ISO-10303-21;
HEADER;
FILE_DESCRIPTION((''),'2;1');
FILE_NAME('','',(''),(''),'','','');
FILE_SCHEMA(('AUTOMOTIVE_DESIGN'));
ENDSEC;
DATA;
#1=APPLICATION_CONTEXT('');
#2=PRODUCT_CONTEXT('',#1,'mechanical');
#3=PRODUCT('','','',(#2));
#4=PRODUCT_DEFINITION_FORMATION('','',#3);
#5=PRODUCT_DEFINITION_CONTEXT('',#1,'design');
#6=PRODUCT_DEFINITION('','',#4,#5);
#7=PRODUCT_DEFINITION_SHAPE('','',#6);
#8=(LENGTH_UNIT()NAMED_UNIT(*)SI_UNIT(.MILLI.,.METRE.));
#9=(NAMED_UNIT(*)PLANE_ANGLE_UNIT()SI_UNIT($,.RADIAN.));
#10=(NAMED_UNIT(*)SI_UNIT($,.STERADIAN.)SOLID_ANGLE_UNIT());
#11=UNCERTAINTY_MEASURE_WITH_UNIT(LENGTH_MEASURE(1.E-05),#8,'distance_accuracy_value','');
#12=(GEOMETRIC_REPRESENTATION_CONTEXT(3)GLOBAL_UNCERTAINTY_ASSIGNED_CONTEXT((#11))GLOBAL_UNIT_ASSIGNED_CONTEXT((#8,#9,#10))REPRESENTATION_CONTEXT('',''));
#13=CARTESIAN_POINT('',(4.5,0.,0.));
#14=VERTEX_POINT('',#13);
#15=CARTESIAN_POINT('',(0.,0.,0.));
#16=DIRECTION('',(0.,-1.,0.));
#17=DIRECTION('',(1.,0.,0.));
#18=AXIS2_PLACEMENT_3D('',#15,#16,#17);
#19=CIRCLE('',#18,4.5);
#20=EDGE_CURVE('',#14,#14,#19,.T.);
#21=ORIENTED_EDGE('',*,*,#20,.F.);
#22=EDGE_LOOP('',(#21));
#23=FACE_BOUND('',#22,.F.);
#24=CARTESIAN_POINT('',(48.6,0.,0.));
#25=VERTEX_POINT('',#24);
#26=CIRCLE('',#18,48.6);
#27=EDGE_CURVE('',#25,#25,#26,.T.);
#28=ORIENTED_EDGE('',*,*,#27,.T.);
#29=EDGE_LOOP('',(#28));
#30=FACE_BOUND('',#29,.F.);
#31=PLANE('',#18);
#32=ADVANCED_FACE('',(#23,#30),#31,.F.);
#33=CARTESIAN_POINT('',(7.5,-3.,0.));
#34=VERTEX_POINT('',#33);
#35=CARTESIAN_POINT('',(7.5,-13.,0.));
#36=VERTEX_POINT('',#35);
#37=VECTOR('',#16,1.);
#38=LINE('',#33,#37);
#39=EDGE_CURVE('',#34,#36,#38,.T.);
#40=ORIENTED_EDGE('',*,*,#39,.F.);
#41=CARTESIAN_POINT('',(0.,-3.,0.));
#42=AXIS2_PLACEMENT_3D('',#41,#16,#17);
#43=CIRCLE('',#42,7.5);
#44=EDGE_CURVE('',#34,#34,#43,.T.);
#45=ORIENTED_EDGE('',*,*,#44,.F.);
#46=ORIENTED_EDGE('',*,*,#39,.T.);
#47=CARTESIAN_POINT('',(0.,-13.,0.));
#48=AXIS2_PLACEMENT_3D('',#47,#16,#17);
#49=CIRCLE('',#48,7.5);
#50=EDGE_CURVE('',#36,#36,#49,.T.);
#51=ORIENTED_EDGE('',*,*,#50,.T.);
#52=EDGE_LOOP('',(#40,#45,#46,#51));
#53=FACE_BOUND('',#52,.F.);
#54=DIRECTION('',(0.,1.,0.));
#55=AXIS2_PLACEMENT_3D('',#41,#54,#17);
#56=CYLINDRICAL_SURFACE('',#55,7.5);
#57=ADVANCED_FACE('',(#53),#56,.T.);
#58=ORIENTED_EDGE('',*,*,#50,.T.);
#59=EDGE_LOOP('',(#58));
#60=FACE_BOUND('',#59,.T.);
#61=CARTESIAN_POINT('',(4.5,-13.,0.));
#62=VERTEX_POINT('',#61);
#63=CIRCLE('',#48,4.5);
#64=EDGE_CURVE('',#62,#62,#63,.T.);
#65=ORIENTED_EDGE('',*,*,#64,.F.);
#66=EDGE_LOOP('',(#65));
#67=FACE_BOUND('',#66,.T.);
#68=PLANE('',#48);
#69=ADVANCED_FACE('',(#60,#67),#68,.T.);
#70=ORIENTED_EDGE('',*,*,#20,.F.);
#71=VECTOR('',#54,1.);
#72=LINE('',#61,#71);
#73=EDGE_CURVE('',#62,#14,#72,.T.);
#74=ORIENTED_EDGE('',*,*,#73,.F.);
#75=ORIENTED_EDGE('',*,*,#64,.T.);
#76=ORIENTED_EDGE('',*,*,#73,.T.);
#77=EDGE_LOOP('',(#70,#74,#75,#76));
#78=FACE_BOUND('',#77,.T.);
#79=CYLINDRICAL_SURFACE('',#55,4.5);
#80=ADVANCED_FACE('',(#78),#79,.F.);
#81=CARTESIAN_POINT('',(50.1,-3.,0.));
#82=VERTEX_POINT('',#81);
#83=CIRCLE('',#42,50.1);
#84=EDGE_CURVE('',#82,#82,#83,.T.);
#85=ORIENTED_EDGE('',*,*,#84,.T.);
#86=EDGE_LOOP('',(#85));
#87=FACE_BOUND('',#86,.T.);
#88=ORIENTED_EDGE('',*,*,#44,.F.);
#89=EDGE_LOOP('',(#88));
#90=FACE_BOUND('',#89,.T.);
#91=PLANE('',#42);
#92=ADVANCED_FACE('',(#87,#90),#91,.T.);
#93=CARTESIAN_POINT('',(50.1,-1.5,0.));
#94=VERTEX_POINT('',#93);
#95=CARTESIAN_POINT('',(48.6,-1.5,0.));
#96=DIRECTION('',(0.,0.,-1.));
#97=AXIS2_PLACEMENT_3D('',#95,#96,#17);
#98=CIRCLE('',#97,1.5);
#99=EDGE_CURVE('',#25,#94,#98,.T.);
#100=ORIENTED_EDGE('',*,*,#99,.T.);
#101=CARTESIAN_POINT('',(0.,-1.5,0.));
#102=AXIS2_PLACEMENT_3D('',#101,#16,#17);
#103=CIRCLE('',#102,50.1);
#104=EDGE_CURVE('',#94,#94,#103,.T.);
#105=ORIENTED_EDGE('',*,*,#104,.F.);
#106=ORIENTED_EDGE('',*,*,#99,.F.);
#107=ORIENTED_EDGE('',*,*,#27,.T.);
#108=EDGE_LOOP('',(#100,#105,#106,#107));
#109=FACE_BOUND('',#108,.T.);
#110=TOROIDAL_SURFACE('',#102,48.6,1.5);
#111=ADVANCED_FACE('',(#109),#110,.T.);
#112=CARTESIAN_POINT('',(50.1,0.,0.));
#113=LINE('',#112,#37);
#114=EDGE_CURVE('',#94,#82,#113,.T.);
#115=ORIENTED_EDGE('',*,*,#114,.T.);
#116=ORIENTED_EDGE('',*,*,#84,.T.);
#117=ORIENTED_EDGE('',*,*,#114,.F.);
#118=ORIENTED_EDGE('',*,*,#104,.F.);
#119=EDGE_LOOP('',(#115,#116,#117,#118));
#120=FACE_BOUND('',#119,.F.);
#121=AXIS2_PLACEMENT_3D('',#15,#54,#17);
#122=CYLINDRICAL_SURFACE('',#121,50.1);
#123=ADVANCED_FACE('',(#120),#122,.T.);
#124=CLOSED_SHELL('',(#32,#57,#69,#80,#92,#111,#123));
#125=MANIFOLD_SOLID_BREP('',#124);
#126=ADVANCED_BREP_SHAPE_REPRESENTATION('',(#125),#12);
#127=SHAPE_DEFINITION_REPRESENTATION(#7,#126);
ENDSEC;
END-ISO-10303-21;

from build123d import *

# Parameters (mm, degrees)
F0_R     = 50.1
F0_R_2   = 4.5
F1_DEPTH = 3
F2_R     = 7.5
F2_R_2   = 4.5
F3_DEPTH = 10
F4_R     = 1.5


with BuildPart() as f1:
    # F0 (on Front) → F1 (new body)
    with BuildSketch(Plane.XZ):
        Circle(F0_R)
        Circle(F0_R_2, mode=Mode.SUBTRACT)
    extrude(amount=F1_DEPTH)

    # F2 (on face) → F3 (join)
    with BuildSketch(Plane.XZ.offset(3)):
        Circle(F2_R)
        Circle(F2_R_2, mode=Mode.SUBTRACT)
    extrude(amount=F3_DEPTH)

    # F4
    f4_edges = [f1.edges().sort_by_distance(p)[0] for p in [
        (-50.1, 0, 0),
    ]]
    fillet(f4_edges, radius=F4_R)


solid = f1.part
